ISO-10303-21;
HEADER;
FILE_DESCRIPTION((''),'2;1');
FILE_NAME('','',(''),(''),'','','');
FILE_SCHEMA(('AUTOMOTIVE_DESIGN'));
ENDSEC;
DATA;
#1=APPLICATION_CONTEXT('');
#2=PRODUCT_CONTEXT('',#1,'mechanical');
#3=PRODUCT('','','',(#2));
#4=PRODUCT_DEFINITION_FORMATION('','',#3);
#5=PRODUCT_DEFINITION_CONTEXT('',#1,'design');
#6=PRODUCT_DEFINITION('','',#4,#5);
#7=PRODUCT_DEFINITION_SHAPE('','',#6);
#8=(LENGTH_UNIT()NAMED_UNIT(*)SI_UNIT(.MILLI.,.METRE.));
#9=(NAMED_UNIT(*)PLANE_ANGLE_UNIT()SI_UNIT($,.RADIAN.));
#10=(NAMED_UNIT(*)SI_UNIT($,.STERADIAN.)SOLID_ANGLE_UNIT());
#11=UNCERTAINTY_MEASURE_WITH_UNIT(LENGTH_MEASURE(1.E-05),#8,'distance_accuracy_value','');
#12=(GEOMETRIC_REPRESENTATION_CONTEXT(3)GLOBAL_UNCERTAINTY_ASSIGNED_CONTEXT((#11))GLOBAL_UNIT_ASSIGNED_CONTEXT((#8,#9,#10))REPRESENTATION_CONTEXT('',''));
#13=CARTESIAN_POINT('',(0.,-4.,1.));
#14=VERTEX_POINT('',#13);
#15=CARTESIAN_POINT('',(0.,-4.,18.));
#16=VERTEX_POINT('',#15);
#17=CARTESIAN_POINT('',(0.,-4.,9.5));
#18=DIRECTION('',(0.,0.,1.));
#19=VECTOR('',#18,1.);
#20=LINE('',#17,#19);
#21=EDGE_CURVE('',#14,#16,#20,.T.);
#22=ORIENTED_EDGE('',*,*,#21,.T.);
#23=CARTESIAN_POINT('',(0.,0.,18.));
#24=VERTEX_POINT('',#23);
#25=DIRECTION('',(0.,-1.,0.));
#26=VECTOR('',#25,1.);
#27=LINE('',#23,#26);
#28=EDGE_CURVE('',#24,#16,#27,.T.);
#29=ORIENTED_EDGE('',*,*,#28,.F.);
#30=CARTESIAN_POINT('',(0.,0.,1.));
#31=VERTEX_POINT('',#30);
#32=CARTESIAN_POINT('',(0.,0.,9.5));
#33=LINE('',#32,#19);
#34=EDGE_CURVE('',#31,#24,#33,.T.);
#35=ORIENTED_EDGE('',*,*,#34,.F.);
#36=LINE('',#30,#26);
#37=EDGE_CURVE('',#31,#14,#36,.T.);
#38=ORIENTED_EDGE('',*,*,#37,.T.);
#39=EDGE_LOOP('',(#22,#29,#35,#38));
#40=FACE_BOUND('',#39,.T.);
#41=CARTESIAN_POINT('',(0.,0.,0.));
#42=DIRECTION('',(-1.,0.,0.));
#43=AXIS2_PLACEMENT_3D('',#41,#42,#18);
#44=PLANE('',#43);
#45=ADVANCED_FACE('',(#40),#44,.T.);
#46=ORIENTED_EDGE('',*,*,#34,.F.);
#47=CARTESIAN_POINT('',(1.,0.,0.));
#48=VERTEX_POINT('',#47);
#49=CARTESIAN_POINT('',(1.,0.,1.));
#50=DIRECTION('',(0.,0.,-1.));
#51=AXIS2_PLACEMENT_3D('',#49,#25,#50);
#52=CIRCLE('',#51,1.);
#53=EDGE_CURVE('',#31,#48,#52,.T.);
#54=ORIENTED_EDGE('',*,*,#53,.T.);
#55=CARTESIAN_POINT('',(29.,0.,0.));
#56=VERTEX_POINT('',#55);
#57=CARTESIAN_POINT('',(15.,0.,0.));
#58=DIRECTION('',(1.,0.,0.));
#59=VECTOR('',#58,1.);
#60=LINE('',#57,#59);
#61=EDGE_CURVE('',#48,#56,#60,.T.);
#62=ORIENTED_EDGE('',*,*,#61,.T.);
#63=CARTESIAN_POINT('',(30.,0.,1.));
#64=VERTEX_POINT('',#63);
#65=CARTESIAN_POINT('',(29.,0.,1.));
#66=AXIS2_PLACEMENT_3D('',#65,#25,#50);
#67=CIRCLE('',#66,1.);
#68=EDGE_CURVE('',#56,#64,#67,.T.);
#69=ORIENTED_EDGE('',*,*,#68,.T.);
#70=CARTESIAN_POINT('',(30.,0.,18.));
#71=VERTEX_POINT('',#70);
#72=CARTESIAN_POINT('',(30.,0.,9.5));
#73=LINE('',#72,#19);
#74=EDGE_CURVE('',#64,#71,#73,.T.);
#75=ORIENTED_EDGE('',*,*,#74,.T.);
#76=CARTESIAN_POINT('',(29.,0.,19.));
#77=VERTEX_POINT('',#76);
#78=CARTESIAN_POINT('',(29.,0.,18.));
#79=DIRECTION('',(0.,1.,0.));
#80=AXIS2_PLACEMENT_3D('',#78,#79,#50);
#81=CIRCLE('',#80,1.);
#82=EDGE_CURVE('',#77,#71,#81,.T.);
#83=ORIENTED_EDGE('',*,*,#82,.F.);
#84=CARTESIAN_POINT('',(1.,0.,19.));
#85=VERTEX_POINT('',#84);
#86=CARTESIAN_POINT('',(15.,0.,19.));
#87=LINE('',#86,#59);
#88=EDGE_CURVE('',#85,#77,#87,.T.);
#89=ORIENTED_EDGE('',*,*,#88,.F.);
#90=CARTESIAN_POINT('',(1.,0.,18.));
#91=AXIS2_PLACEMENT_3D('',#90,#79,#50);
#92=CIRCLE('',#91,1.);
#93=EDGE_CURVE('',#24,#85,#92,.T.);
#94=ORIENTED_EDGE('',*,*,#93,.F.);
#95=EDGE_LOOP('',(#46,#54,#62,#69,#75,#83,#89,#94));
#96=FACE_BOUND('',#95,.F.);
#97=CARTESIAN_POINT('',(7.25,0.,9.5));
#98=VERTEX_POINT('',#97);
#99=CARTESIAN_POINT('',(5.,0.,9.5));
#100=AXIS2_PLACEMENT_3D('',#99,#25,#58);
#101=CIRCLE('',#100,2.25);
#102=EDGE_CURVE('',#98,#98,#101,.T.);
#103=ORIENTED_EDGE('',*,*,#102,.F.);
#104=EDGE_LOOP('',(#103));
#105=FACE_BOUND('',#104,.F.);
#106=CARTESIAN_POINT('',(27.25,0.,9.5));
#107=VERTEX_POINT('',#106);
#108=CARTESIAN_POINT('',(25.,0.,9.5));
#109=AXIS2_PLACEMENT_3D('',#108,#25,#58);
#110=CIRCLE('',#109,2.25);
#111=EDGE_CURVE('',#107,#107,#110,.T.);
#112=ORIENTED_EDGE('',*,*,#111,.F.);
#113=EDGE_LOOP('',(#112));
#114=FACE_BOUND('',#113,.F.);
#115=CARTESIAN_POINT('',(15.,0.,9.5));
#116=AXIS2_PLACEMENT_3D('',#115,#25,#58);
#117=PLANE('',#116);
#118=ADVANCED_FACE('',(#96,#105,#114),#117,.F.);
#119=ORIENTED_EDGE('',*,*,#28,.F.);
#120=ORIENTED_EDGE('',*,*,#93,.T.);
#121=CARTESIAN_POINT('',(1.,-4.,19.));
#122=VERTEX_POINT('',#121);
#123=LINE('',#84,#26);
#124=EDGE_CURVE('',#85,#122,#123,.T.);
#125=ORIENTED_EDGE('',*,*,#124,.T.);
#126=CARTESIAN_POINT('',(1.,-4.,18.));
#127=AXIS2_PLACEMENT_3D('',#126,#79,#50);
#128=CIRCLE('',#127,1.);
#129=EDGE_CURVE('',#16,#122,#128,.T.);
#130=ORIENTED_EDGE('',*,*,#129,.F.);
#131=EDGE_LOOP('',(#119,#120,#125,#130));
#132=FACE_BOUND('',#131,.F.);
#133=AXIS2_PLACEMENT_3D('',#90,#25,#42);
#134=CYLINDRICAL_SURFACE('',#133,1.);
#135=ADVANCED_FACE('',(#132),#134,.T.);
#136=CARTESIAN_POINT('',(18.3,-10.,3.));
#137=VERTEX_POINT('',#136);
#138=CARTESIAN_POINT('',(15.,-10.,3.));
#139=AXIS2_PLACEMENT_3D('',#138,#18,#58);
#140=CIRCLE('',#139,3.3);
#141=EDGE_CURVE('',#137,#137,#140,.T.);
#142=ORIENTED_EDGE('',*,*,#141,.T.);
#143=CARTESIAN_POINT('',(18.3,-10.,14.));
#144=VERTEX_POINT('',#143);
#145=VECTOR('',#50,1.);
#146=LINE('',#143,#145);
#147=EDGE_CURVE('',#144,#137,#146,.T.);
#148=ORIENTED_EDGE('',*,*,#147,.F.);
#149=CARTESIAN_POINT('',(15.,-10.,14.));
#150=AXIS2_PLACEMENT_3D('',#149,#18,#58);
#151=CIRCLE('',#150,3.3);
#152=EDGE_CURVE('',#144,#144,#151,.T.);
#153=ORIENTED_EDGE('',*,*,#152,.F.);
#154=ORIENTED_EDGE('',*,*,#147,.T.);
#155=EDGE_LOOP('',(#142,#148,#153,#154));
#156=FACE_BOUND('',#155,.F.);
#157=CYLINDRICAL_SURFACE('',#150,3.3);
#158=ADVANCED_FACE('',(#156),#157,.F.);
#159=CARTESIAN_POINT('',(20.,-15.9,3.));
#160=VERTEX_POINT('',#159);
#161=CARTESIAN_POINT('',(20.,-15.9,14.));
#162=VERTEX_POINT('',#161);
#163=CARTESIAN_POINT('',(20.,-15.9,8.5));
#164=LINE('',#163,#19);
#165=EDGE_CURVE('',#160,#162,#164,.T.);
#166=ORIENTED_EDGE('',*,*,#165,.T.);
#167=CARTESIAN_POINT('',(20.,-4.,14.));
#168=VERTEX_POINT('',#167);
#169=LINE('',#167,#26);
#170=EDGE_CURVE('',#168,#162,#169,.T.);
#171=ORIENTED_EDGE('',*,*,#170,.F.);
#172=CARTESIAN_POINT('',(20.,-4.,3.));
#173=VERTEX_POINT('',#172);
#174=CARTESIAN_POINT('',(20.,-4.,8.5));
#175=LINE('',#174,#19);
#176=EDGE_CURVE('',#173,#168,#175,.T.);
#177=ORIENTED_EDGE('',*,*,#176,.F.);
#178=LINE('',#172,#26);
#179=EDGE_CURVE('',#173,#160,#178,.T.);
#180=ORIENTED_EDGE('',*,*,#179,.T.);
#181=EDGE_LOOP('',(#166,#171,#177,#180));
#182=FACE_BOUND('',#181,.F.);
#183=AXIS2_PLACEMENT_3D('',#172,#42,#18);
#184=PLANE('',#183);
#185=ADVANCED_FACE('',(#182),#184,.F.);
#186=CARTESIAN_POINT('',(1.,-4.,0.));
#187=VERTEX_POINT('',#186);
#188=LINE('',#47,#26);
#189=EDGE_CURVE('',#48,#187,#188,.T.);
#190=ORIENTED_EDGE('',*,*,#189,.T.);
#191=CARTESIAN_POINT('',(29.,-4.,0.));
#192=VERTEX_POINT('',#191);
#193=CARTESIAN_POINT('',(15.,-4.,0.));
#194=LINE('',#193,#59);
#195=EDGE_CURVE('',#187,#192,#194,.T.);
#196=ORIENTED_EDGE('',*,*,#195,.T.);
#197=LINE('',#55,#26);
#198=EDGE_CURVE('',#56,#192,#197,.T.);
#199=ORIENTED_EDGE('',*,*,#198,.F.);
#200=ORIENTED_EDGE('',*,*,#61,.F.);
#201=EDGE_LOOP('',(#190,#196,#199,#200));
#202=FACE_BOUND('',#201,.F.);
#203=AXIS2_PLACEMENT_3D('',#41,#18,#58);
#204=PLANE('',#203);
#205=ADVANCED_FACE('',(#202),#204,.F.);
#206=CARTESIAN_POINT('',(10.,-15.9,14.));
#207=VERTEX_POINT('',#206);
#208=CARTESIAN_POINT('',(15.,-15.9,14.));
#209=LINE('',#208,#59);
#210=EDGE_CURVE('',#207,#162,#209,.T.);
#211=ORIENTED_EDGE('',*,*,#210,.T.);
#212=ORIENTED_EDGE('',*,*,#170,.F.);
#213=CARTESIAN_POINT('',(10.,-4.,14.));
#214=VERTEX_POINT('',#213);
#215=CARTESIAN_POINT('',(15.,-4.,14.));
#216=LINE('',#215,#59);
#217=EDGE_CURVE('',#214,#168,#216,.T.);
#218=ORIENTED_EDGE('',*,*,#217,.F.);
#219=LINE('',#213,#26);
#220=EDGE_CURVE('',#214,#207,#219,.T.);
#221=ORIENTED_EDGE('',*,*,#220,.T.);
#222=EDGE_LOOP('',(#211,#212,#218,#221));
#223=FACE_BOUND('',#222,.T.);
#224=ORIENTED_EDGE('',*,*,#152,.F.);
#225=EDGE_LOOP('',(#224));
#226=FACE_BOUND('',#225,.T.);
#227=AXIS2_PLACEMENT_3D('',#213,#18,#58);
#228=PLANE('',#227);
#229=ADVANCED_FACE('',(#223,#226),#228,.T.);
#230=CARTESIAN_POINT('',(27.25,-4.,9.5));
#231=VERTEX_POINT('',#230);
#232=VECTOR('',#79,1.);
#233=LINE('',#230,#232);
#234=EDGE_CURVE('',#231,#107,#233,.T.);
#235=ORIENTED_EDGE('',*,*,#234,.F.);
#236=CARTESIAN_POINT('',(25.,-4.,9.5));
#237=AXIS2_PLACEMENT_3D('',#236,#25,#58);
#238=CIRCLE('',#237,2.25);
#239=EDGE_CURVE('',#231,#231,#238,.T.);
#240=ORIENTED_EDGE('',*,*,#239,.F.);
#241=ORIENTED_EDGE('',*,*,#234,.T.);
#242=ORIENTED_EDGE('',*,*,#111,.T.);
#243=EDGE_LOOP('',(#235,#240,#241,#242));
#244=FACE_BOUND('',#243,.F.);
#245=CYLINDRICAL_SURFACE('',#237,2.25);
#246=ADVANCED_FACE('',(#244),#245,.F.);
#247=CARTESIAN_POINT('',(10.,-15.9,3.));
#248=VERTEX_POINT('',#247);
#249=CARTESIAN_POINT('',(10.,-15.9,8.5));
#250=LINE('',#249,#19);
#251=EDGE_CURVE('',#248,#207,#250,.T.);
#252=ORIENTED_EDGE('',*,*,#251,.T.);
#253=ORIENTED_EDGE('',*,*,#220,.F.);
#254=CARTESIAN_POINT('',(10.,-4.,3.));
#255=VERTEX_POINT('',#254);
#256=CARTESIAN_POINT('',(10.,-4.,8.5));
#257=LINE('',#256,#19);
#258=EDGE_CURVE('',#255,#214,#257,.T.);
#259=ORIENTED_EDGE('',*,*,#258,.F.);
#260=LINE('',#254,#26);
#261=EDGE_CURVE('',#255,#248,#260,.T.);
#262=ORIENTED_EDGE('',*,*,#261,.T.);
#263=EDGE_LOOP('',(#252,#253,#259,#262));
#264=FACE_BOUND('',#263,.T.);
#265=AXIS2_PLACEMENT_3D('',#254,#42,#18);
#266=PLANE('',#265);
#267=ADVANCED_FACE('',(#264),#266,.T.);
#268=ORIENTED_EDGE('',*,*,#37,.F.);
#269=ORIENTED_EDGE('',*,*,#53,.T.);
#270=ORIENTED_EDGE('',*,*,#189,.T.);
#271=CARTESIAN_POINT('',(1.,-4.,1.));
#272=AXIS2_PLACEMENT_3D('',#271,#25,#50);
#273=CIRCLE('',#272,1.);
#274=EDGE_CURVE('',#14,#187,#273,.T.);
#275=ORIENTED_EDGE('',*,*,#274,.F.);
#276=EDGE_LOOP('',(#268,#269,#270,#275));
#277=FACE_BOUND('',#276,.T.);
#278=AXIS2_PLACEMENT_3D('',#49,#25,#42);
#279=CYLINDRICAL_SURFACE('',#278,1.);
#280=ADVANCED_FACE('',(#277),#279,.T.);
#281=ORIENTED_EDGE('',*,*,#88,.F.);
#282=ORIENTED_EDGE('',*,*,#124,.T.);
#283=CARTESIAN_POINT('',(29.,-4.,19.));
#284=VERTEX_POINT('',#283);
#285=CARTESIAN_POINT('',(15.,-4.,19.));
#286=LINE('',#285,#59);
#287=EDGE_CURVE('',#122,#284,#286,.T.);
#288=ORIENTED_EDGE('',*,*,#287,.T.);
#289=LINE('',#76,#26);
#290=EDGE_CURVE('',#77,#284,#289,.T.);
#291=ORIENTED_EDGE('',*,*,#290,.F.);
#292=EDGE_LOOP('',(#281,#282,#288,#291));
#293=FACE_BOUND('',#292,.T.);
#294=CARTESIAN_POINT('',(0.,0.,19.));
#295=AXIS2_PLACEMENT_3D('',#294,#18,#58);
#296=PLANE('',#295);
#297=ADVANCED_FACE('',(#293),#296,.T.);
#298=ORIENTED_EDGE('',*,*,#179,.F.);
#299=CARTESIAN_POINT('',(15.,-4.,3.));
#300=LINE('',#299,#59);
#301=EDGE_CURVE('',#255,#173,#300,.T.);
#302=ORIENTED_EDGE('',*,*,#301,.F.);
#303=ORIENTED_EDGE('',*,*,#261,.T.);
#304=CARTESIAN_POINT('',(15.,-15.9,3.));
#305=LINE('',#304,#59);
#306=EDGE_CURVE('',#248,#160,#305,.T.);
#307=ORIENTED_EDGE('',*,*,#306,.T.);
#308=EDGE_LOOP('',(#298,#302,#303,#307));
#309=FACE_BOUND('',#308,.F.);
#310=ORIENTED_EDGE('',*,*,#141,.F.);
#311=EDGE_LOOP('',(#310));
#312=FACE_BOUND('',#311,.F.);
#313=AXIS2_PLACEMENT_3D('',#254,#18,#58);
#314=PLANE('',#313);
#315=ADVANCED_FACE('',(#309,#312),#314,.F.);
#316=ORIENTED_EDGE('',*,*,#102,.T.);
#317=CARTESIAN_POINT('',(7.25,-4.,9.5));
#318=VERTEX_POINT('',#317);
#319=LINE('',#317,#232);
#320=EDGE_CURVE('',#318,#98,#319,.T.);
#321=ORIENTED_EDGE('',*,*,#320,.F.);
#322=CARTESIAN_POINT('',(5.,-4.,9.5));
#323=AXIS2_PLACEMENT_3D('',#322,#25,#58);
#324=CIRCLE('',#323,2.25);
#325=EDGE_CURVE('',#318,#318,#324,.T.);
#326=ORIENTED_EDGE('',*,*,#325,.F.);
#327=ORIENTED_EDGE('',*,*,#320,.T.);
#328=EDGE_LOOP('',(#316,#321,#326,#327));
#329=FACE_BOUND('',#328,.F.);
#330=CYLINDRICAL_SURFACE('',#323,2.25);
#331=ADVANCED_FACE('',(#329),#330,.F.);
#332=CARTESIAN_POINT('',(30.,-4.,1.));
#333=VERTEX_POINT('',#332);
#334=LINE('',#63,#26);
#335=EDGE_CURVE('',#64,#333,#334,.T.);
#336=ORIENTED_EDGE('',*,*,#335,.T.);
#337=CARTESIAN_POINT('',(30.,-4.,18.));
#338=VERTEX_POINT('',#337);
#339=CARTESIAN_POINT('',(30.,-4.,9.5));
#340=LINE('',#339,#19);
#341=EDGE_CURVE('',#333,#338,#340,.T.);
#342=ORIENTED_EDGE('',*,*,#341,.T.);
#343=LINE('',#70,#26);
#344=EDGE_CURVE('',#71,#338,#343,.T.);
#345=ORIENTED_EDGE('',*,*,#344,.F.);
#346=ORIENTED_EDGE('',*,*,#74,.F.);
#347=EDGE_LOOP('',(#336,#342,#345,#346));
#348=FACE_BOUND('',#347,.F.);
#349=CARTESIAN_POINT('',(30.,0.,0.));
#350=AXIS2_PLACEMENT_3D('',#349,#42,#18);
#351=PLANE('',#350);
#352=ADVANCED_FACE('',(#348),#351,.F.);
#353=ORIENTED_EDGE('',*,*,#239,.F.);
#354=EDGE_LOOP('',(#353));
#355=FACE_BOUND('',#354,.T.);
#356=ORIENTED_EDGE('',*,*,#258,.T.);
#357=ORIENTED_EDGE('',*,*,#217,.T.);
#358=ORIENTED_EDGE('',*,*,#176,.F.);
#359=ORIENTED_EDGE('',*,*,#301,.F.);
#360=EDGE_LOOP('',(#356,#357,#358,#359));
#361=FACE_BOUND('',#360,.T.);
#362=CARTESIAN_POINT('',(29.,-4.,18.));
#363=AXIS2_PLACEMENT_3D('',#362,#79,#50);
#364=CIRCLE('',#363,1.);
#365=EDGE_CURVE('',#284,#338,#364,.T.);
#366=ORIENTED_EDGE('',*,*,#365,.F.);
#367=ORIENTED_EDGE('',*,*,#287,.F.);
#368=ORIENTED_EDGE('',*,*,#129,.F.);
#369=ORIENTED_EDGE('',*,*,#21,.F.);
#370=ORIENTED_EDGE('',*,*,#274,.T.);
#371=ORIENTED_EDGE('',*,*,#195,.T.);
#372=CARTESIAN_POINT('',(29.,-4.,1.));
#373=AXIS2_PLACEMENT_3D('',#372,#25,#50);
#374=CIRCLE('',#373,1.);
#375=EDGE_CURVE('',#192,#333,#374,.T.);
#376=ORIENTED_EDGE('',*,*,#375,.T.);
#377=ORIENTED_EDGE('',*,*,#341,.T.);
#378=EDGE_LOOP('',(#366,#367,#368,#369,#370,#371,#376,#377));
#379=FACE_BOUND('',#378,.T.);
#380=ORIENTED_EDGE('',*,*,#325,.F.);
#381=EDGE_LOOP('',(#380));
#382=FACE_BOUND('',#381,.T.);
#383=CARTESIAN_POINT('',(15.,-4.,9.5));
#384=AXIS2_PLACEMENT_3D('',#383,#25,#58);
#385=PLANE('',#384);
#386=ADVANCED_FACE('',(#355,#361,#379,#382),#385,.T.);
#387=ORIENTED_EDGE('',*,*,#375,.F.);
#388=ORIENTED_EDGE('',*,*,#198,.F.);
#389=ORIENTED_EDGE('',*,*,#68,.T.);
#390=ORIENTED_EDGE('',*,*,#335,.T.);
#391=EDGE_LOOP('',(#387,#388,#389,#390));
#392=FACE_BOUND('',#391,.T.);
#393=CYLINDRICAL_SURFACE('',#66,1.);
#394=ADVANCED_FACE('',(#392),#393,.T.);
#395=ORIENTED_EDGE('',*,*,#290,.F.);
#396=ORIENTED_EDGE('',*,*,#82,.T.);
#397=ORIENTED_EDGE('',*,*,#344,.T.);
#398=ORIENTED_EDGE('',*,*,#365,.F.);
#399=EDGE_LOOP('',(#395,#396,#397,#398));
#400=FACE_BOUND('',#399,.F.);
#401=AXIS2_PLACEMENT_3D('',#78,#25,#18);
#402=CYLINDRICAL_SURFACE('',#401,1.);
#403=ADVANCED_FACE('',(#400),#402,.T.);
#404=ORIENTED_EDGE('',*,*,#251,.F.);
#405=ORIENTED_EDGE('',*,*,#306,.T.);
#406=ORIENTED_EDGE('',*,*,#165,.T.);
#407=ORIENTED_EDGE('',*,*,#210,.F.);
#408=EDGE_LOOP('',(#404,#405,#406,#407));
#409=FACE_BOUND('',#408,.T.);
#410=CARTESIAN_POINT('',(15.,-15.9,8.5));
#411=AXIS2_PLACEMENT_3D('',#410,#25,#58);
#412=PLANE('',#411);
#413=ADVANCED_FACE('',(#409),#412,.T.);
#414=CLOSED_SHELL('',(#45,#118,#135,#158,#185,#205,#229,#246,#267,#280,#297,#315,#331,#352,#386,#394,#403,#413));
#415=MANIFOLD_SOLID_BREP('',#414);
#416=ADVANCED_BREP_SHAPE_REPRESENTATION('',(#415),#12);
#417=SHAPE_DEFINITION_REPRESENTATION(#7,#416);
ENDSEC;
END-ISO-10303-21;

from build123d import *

# Parameters (mm, degrees)
F0_W     = 30
F0_H     = 19
F1_DEPTH = 4
F2_R     = 2.25
F3_DEPTH = 25
F4_W     = 10
F4_H     = 11
F5_DEPTH = 11.9
F6_R     = 3.3
F7_DEPTH = 25
F8_R     = 1


with BuildPart() as f1:
    # F0 (on Front) → F1 (new body)
    with BuildSketch(Plane.XZ):
        with Locations((15, 9.5)):
            Rectangle(F0_W, F0_H)
    extrude(amount=F1_DEPTH)

    # F2 (on face) → F3 (cut)
    with BuildSketch(Plane.XZ.offset(4)):
        with Locations((25, 9.5)):
            Circle(F2_R)
        with Locations((5, 9.5)):
            Circle(F2_R)
    extrude(amount=-F3_DEPTH, mode=Mode.SUBTRACT)

    # F4 (on face) → F5 (join)
    with BuildSketch(Plane.XZ.offset(4)):
        with Locations((15, 8.5)):
            Rectangle(F4_W, F4_H)
    extrude(amount=F5_DEPTH)

    # F6 (on face) → F7 (cut)
    with BuildSketch(Plane.XY.offset(14)):
        with Locations((15, -10)):
            Circle(F6_R)
    extrude(amount=-F7_DEPTH, mode=Mode.SUBTRACT)

    # F8
    f8_edges = [f1.edges().sort_by_distance(p)[0] for p in [
        (0, -2, 19),
        (30, -2, 19),
        (30, -2, 0),
        (0, -2, 0),
    ]]
    fillet(f8_edges, radius=F8_R)


solid = f1.part
